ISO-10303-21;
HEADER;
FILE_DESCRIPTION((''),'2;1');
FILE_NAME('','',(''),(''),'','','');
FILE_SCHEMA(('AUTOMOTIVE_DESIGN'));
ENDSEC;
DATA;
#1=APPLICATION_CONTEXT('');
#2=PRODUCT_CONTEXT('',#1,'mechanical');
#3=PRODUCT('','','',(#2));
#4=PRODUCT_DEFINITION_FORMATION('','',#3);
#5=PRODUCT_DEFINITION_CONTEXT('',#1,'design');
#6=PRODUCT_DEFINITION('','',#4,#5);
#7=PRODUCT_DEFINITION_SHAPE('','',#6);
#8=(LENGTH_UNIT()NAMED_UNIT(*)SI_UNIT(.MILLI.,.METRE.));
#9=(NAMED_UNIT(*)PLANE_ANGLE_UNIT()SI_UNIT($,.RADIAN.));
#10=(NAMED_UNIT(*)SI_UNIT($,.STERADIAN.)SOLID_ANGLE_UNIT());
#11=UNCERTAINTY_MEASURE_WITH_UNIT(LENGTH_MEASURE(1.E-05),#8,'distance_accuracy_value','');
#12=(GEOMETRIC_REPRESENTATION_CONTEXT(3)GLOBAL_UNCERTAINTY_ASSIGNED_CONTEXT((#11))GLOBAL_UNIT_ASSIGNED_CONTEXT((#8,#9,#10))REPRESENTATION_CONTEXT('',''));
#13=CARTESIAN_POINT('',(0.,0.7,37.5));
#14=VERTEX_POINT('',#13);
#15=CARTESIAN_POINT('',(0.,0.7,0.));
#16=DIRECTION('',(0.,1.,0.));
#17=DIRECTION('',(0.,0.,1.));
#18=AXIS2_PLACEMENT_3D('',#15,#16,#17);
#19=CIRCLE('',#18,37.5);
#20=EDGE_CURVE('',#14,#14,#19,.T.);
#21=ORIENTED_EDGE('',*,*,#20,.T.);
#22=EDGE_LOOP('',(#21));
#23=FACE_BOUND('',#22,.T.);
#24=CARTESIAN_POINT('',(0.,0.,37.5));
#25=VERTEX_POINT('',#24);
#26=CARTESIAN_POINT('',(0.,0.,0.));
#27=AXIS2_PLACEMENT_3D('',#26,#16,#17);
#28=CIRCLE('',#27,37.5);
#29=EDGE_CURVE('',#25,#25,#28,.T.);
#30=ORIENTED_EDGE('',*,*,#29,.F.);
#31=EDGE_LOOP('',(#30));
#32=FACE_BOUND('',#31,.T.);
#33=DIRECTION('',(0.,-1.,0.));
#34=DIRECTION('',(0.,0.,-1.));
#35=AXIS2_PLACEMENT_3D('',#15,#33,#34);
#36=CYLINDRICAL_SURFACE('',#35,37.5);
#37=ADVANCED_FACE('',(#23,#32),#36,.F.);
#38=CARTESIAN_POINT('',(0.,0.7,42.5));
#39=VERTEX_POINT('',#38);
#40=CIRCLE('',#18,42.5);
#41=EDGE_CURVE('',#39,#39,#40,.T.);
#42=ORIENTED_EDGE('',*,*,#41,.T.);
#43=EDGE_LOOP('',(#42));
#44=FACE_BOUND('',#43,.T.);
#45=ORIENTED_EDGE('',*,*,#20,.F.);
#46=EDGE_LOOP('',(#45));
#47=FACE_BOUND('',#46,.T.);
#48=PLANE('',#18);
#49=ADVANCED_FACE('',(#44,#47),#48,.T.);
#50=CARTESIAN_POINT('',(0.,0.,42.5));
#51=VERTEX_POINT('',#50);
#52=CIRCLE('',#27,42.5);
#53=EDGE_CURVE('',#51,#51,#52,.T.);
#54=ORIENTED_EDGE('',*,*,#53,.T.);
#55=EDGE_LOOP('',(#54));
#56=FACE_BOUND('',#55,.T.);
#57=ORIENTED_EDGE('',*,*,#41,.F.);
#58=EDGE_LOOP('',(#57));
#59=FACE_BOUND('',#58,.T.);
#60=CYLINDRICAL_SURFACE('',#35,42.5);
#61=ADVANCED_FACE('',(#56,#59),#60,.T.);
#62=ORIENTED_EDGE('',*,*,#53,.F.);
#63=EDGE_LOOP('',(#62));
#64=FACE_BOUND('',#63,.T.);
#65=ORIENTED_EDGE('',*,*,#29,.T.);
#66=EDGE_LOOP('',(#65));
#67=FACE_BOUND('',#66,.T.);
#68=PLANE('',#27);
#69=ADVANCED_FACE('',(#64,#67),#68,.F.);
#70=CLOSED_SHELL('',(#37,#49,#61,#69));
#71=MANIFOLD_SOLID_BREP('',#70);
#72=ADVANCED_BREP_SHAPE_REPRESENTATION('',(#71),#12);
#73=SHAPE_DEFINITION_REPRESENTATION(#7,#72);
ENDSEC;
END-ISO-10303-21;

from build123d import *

# Parameters (mm, degrees)
SKETCH1_R           = 42.5
SKETCH1_R_2         = 37.5
BOSS_EXTRUDE1_DEPTH = 0.7


with BuildPart() as part:
    # Sketch1 → Boss-Extrude1 (new body)
    with BuildSketch(Plane(origin=(0, 0, 0), x_dir=(1, 0, 0), z_dir=(0, 1, 0))):
        with Locations(Location((0, 0, 0), (0, 0, 270))):
            Circle(SKETCH1_R)
        with Locations(Location((0, 0, 0), (0, 0, 270))):
            Circle(SKETCH1_R_2, mode=Mode.SUBTRACT)
    extrude(amount=BOSS_EXTRUDE1_DEPTH)


solid = part.part
